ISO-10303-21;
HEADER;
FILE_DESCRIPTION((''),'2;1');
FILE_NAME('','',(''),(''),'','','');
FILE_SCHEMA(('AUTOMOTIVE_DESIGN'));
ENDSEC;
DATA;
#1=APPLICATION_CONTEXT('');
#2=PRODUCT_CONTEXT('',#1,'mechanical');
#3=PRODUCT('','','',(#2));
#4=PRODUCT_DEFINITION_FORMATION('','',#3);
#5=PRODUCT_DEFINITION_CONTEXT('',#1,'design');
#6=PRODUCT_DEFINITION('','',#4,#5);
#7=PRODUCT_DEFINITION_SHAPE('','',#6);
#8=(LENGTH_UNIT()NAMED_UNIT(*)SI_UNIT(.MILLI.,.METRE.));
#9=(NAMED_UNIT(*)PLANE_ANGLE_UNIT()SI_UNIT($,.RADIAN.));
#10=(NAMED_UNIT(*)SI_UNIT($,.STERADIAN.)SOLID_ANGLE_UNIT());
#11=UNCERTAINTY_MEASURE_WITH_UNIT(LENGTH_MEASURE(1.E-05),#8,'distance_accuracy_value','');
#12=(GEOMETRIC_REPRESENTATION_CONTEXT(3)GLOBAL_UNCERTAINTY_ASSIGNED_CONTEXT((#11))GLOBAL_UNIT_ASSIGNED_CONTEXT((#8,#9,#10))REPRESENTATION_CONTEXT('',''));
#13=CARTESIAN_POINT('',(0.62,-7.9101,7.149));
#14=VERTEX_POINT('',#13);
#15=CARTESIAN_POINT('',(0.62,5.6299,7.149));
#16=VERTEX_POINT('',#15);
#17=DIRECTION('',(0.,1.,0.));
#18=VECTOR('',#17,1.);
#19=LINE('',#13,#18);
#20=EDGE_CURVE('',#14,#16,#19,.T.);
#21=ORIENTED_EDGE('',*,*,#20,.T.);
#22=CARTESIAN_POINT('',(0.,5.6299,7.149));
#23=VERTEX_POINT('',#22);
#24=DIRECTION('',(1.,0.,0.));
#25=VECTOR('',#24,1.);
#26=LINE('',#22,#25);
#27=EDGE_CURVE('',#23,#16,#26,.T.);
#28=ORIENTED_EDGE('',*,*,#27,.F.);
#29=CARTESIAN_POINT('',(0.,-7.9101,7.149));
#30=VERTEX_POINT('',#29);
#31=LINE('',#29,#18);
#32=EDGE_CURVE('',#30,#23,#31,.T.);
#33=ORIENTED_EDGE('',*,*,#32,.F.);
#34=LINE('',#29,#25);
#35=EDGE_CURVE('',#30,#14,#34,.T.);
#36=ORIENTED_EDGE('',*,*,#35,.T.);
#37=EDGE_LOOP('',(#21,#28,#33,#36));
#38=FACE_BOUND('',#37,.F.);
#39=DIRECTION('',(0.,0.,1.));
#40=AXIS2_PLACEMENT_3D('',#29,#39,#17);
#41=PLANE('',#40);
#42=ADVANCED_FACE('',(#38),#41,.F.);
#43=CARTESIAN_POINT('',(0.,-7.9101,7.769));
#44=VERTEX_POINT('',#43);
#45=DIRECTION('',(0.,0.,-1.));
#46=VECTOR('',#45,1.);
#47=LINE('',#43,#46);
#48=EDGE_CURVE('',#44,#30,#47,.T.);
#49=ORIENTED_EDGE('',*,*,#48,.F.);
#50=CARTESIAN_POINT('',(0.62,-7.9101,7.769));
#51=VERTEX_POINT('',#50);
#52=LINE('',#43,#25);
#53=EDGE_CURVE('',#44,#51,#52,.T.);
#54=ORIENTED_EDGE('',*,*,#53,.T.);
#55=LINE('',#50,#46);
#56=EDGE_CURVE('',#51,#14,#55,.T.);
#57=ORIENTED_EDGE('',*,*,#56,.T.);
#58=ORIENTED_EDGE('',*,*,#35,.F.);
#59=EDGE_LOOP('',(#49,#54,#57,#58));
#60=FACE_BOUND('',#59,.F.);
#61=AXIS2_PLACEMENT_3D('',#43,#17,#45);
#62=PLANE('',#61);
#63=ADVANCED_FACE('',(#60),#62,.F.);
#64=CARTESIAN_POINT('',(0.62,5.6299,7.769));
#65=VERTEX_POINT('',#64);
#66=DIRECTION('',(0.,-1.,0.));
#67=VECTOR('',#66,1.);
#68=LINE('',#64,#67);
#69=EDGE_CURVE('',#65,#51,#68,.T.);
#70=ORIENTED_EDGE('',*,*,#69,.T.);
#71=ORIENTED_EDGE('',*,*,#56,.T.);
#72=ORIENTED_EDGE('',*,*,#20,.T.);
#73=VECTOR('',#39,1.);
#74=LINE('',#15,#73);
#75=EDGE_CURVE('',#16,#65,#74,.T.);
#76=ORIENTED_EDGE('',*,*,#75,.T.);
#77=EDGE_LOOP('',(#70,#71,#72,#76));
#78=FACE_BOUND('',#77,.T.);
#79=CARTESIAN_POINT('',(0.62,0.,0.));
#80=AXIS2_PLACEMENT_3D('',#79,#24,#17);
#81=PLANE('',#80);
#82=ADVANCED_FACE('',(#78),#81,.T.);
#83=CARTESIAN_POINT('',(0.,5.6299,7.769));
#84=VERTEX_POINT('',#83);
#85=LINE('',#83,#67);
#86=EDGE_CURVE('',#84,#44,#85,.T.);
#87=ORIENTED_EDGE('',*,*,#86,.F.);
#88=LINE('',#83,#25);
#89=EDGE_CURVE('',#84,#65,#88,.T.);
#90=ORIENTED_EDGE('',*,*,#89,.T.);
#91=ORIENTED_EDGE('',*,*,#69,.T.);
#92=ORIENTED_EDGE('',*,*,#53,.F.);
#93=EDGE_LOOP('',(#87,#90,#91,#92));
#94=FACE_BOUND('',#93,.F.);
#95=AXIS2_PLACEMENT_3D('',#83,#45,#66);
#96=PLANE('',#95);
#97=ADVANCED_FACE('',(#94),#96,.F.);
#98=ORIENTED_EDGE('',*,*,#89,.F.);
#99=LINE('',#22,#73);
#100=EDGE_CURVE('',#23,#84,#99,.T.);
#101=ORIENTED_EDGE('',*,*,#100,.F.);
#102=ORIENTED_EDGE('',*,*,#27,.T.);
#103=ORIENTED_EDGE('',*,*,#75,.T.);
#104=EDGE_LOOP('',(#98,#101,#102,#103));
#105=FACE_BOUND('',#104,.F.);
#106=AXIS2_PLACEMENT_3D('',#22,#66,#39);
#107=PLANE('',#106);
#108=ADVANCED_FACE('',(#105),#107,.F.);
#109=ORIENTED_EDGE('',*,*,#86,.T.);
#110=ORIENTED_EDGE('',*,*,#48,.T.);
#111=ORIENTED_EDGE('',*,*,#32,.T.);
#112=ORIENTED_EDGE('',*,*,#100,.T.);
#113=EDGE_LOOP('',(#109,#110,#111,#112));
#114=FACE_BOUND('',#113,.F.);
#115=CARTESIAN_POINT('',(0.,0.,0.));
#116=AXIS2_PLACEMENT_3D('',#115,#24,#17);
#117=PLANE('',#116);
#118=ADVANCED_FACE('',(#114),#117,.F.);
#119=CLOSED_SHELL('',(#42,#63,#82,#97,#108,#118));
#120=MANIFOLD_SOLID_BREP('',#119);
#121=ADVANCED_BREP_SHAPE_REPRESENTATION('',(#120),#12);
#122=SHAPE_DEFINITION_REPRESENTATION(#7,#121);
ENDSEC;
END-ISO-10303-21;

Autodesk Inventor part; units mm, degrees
ref_plane "YZ Plane" through (0, 0, 0) normal (1, 0, 0) x (0, 1, 0)
ref_plane "XZ Plane" through (0, 0, 0) normal (0, 1, 0) x (-1, 0, 0)
ref_plane "XY Plane" through (0, 0, 0) normal (0, 0, 1) x (1, 0, 0)
sketch "Sketch1" plane through (0, 0, 0) normal (1, 0, 0) x (0, 1, 0)
  line L0 (5.6299, 7.769) -> (-7.9101, 7.769)
  line L1 (-7.9101, 7.769) -> (-7.9101, 7.149)
  line L2 (-7.9101, 7.149) -> (5.6299, 7.149)
  line L3 (5.6299, 7.149) -> (5.6299, 7.769)
  point P0 (0, 0)
  dimension "d0" = 13.54
  dimension "d1" = 0.62
extrude "Extrusion1" add sketch "Sketch1" along normal blind 0.62
properties part number "HeaderPin"
